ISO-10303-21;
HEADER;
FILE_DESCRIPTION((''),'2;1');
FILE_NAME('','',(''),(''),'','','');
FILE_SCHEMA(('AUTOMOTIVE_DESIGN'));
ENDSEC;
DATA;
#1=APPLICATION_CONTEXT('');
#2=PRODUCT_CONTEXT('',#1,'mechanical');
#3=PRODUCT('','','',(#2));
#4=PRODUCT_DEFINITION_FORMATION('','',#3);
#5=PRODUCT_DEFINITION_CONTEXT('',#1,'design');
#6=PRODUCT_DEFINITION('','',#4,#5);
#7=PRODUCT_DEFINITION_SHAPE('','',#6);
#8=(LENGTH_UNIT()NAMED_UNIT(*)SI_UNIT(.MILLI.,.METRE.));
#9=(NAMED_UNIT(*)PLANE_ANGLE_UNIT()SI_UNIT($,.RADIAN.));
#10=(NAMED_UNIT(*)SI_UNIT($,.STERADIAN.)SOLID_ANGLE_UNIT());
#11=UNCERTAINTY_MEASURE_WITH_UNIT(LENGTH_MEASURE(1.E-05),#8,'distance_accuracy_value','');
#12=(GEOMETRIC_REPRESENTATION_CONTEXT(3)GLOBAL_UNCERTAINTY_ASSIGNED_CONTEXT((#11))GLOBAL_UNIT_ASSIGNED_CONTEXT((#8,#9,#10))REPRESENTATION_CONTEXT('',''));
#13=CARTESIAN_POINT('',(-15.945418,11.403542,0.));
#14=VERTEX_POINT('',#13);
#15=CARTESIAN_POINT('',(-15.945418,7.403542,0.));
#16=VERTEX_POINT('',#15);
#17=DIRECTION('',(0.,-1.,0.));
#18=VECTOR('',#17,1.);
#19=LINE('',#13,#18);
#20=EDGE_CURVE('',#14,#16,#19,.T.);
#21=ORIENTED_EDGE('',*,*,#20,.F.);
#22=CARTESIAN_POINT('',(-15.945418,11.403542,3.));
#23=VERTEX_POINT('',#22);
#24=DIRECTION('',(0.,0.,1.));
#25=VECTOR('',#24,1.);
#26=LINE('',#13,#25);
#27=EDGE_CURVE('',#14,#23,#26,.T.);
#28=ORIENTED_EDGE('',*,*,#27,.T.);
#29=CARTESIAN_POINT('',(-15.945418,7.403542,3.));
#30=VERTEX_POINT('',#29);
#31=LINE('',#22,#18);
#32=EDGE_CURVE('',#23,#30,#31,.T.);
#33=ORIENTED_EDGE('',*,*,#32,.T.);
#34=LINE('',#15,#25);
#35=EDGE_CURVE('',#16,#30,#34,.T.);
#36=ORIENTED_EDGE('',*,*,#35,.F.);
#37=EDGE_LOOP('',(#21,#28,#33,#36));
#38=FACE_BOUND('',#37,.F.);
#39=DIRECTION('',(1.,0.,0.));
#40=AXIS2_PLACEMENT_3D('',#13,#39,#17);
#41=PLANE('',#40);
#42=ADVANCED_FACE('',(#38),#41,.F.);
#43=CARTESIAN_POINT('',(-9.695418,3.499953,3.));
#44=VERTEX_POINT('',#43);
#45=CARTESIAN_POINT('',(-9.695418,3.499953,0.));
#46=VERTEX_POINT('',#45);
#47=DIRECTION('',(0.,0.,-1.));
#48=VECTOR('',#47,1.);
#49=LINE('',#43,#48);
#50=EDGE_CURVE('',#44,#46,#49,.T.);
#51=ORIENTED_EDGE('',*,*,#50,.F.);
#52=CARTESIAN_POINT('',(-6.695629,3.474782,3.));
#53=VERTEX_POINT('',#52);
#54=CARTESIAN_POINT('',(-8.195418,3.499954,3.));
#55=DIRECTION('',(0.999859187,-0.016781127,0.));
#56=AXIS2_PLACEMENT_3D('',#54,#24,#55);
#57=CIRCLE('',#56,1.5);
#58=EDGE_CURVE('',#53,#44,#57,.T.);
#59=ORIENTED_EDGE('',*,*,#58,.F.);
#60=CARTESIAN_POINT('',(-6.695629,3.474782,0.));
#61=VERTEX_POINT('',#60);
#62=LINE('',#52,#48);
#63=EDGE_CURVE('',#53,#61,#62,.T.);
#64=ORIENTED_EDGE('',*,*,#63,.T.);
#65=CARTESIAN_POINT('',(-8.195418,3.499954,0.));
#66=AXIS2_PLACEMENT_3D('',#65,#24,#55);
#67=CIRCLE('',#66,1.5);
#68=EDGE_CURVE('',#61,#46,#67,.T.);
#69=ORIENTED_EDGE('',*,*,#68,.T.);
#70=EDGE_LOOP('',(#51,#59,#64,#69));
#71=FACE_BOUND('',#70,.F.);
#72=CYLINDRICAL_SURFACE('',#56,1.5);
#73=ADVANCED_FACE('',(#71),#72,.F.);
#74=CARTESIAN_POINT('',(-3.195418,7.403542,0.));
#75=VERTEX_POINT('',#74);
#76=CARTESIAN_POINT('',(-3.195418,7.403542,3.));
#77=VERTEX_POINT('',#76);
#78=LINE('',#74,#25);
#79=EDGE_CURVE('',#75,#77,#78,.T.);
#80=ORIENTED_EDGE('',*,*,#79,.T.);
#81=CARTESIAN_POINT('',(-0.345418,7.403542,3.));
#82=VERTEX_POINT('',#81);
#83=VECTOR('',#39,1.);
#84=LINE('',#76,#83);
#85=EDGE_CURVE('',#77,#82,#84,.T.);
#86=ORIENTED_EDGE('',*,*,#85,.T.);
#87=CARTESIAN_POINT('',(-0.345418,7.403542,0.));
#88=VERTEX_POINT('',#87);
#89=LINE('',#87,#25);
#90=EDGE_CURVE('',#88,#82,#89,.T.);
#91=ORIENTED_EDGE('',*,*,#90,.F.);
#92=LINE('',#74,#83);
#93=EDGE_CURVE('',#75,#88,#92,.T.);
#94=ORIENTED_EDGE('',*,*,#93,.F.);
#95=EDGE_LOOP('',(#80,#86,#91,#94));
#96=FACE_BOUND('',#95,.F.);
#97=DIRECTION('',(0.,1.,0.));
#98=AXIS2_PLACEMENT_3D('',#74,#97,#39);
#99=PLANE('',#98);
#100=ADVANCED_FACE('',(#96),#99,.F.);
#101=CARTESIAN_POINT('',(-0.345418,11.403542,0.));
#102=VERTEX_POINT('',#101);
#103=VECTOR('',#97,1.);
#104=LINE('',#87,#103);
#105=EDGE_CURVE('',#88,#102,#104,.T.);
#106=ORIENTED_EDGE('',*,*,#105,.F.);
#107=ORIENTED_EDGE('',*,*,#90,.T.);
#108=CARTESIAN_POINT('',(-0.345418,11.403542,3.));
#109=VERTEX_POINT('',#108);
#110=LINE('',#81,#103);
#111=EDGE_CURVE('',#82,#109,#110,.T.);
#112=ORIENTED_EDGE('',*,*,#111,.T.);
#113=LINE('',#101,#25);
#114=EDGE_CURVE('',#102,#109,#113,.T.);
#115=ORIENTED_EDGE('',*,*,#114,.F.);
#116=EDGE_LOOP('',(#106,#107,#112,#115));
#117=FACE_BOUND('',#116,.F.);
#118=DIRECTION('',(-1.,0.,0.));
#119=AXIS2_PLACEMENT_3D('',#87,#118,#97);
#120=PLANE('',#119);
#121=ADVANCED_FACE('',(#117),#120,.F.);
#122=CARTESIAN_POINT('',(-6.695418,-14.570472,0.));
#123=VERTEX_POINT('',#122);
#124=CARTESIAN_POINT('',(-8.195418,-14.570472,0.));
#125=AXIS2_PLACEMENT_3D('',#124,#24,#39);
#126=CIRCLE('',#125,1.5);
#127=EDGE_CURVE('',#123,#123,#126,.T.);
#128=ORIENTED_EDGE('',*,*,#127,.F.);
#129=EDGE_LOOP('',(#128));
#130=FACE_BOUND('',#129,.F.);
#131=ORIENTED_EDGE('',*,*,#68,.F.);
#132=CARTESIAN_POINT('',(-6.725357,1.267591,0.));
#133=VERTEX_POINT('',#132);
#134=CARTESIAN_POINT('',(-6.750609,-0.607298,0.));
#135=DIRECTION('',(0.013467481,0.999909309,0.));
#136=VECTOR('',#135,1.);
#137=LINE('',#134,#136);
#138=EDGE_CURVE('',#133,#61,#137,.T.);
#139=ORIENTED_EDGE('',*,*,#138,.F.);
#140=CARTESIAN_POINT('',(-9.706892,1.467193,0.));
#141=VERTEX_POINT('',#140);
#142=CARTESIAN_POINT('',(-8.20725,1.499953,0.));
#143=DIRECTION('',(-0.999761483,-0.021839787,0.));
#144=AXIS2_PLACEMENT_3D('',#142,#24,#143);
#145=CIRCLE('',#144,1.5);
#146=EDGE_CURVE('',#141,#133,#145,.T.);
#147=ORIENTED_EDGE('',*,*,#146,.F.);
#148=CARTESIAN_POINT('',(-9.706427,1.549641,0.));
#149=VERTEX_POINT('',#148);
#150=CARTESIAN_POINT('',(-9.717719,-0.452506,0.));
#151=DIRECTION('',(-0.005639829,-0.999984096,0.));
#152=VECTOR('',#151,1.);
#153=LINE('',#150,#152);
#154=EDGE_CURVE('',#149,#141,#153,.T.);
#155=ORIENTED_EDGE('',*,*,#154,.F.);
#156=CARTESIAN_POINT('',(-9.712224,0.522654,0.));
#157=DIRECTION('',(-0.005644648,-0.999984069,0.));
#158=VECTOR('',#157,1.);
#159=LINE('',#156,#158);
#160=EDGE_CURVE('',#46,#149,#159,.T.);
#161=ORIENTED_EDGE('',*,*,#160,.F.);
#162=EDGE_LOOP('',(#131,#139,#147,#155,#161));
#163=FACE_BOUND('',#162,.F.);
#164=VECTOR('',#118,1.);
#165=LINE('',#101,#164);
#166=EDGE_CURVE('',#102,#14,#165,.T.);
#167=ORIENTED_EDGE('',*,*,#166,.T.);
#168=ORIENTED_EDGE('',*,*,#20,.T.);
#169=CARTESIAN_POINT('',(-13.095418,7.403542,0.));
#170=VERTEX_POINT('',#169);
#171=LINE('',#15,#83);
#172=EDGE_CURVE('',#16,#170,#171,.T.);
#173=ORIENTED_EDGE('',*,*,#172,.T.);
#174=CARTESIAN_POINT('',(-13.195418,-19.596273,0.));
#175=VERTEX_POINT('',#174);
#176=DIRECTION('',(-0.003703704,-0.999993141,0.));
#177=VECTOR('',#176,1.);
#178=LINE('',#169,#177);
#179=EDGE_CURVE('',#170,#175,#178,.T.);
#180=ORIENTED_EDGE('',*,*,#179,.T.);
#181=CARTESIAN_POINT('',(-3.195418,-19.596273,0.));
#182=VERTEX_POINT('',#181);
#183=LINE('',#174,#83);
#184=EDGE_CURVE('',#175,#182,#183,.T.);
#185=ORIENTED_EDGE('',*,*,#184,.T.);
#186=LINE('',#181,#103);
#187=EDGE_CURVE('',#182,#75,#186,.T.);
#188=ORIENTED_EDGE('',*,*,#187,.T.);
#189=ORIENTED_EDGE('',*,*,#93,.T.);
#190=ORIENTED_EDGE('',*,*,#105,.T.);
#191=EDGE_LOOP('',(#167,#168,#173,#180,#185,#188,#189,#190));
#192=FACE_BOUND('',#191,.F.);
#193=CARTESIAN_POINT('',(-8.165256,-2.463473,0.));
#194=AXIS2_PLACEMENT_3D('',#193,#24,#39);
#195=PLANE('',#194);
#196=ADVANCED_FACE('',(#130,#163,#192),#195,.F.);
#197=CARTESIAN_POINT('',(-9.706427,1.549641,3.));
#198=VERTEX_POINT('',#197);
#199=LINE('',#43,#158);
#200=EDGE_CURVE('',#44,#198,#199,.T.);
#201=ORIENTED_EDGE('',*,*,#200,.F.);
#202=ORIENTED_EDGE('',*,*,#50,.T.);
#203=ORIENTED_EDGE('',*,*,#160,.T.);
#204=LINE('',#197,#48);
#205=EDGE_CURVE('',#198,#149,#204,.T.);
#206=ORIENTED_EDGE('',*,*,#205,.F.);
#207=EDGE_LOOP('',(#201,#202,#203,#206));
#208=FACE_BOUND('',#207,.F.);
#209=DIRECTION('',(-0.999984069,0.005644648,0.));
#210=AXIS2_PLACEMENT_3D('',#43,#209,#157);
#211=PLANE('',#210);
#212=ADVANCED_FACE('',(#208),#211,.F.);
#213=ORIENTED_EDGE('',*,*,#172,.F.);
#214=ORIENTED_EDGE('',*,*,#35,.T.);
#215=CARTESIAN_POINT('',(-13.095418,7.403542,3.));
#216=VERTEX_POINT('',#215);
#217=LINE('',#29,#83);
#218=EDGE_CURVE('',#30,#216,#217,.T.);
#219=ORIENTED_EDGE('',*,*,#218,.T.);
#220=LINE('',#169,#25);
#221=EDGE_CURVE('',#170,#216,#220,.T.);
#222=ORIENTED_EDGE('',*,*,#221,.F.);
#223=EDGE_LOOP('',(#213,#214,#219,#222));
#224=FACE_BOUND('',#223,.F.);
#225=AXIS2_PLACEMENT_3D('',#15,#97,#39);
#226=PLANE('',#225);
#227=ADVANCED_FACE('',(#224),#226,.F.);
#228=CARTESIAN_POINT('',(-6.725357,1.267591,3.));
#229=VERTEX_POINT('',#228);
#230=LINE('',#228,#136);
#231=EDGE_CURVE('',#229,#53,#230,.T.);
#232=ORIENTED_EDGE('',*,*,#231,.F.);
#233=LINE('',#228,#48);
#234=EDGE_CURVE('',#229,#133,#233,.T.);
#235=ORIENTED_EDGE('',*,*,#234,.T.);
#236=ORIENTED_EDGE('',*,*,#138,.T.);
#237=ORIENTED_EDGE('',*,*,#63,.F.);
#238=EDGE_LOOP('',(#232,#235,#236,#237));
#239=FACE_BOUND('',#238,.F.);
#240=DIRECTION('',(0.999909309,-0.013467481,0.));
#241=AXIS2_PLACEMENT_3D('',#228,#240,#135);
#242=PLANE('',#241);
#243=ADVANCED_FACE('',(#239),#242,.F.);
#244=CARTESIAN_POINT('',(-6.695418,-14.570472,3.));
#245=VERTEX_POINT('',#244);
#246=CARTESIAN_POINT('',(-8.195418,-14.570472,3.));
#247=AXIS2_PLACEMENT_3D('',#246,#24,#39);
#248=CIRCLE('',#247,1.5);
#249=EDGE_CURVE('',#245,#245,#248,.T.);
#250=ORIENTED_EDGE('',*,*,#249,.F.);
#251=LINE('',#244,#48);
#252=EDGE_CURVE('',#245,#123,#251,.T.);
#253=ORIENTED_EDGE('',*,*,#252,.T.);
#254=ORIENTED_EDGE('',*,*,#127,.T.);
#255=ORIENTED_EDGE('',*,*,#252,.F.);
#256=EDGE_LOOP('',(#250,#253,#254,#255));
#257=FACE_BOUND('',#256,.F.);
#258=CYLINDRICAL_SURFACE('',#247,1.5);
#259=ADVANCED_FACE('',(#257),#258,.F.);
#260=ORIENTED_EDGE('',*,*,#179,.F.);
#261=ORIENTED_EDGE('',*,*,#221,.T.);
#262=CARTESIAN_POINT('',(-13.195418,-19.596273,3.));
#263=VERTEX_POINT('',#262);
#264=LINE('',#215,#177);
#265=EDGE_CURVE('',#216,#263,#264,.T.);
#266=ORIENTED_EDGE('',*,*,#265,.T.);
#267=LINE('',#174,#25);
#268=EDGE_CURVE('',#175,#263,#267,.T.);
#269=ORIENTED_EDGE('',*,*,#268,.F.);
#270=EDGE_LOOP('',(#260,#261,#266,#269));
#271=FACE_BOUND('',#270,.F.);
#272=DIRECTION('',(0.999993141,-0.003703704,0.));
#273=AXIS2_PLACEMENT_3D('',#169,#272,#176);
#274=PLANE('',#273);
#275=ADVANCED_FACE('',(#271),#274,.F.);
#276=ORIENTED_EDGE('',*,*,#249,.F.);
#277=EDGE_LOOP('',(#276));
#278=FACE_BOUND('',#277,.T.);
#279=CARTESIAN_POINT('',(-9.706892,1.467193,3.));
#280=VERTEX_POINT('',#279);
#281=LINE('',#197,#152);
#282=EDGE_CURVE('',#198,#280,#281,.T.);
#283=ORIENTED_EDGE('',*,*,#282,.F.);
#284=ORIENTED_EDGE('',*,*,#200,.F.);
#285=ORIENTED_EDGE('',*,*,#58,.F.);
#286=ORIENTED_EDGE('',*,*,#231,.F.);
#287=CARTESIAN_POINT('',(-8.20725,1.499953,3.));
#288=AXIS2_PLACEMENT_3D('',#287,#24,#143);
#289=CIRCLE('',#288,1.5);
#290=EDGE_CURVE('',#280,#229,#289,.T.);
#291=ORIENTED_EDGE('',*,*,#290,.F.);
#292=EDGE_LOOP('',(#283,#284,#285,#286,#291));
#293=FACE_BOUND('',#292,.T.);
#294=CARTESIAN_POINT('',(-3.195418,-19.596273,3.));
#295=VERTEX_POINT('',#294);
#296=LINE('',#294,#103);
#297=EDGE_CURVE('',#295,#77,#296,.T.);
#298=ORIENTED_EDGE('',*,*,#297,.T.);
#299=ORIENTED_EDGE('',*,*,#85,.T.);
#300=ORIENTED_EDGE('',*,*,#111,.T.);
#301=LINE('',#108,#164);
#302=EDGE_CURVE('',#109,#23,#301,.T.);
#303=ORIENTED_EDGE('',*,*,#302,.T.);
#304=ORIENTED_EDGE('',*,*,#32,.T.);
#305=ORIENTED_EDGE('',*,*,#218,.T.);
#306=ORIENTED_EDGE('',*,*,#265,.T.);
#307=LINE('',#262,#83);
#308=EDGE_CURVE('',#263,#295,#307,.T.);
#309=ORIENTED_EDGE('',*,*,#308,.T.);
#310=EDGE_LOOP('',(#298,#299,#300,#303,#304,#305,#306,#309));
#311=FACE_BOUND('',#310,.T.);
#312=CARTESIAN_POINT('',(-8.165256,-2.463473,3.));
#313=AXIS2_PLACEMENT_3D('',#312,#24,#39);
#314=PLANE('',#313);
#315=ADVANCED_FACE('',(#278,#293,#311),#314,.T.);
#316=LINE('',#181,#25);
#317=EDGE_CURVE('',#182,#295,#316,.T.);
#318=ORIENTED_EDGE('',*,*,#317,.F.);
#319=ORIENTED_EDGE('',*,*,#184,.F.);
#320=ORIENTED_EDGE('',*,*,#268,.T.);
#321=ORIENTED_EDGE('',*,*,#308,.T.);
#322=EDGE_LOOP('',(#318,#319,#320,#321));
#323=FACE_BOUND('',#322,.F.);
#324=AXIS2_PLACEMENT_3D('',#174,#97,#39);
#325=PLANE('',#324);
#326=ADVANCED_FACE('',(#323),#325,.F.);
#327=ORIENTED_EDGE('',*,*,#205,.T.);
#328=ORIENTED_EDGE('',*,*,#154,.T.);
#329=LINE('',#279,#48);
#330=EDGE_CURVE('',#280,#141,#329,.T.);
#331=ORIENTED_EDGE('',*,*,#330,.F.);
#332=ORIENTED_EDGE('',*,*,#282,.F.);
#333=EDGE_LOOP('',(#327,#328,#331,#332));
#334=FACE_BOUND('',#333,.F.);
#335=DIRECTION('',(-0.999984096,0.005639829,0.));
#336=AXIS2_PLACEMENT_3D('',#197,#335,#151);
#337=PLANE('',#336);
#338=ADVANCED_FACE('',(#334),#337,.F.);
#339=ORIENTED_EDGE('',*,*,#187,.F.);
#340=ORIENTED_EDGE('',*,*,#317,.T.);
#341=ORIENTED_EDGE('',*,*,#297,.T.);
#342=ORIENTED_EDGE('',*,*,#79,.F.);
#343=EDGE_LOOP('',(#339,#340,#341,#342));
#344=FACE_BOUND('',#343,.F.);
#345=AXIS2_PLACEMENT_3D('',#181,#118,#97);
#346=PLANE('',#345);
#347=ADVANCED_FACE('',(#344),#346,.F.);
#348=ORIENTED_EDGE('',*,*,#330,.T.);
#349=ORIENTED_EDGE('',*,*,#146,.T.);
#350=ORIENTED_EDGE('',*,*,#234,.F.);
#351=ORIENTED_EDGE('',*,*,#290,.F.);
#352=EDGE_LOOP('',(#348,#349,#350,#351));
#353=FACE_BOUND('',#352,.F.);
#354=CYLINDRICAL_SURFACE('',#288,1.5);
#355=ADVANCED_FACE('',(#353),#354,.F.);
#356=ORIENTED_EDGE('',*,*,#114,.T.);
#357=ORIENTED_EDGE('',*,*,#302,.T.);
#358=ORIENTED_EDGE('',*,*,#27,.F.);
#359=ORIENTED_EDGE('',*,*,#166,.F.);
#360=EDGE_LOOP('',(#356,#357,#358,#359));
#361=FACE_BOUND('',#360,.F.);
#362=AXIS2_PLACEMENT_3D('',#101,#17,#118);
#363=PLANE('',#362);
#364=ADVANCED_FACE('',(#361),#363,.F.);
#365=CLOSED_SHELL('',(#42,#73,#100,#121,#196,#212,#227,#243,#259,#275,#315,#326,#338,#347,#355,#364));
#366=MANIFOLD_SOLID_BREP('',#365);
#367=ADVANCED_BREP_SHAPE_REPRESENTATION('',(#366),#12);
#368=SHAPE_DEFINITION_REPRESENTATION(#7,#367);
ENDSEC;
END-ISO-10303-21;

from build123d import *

# Parameters (mm, degrees)
F1_DEPTH = 3
F2_R     = 1.5
F3_DEPTH = 3.001


with BuildPart() as f1:
    # F0 (on Top) → F1 (new body)
    with BuildSketch(Plane.XY):
        Polygon((-13.195418, -19.596273), (-3.195418, -19.596273), (-3.195418, 7.403542), (-0.345418, 7.403542), (-0.345418, 11.403542), (-15.945418, 11.403542), (-15.945418, 7.403542), (-13.095418, 7.403542), align=None)
    extrude(amount=F1_DEPTH)

    # F2 (on face) → F3 (cut, through all)
    with BuildSketch(Plane.XY.offset(3)):
        with BuildLine():
            Line((-9.695418, 3.499953), (-9.706427, 1.549641))
            Line((-9.706427, 1.549641), (-9.706892, 1.467193))
            ThreePointArc((-9.706892, 1.467193), (-8.307444, 0.003303), (-6.725357, 1.267591))
            Line((-6.725357, 1.267591), (-6.695629, 3.474782))
            ThreePointArc((-6.695629, 3.474782), (-8.182832, 4.999901), (-9.695418, 3.499953))
        make_face()
        with Locations((-8.195418, -14.570472)):
            Circle(F2_R)
    extrude(amount=-F3_DEPTH, mode=Mode.SUBTRACT)


solid = f1.part
